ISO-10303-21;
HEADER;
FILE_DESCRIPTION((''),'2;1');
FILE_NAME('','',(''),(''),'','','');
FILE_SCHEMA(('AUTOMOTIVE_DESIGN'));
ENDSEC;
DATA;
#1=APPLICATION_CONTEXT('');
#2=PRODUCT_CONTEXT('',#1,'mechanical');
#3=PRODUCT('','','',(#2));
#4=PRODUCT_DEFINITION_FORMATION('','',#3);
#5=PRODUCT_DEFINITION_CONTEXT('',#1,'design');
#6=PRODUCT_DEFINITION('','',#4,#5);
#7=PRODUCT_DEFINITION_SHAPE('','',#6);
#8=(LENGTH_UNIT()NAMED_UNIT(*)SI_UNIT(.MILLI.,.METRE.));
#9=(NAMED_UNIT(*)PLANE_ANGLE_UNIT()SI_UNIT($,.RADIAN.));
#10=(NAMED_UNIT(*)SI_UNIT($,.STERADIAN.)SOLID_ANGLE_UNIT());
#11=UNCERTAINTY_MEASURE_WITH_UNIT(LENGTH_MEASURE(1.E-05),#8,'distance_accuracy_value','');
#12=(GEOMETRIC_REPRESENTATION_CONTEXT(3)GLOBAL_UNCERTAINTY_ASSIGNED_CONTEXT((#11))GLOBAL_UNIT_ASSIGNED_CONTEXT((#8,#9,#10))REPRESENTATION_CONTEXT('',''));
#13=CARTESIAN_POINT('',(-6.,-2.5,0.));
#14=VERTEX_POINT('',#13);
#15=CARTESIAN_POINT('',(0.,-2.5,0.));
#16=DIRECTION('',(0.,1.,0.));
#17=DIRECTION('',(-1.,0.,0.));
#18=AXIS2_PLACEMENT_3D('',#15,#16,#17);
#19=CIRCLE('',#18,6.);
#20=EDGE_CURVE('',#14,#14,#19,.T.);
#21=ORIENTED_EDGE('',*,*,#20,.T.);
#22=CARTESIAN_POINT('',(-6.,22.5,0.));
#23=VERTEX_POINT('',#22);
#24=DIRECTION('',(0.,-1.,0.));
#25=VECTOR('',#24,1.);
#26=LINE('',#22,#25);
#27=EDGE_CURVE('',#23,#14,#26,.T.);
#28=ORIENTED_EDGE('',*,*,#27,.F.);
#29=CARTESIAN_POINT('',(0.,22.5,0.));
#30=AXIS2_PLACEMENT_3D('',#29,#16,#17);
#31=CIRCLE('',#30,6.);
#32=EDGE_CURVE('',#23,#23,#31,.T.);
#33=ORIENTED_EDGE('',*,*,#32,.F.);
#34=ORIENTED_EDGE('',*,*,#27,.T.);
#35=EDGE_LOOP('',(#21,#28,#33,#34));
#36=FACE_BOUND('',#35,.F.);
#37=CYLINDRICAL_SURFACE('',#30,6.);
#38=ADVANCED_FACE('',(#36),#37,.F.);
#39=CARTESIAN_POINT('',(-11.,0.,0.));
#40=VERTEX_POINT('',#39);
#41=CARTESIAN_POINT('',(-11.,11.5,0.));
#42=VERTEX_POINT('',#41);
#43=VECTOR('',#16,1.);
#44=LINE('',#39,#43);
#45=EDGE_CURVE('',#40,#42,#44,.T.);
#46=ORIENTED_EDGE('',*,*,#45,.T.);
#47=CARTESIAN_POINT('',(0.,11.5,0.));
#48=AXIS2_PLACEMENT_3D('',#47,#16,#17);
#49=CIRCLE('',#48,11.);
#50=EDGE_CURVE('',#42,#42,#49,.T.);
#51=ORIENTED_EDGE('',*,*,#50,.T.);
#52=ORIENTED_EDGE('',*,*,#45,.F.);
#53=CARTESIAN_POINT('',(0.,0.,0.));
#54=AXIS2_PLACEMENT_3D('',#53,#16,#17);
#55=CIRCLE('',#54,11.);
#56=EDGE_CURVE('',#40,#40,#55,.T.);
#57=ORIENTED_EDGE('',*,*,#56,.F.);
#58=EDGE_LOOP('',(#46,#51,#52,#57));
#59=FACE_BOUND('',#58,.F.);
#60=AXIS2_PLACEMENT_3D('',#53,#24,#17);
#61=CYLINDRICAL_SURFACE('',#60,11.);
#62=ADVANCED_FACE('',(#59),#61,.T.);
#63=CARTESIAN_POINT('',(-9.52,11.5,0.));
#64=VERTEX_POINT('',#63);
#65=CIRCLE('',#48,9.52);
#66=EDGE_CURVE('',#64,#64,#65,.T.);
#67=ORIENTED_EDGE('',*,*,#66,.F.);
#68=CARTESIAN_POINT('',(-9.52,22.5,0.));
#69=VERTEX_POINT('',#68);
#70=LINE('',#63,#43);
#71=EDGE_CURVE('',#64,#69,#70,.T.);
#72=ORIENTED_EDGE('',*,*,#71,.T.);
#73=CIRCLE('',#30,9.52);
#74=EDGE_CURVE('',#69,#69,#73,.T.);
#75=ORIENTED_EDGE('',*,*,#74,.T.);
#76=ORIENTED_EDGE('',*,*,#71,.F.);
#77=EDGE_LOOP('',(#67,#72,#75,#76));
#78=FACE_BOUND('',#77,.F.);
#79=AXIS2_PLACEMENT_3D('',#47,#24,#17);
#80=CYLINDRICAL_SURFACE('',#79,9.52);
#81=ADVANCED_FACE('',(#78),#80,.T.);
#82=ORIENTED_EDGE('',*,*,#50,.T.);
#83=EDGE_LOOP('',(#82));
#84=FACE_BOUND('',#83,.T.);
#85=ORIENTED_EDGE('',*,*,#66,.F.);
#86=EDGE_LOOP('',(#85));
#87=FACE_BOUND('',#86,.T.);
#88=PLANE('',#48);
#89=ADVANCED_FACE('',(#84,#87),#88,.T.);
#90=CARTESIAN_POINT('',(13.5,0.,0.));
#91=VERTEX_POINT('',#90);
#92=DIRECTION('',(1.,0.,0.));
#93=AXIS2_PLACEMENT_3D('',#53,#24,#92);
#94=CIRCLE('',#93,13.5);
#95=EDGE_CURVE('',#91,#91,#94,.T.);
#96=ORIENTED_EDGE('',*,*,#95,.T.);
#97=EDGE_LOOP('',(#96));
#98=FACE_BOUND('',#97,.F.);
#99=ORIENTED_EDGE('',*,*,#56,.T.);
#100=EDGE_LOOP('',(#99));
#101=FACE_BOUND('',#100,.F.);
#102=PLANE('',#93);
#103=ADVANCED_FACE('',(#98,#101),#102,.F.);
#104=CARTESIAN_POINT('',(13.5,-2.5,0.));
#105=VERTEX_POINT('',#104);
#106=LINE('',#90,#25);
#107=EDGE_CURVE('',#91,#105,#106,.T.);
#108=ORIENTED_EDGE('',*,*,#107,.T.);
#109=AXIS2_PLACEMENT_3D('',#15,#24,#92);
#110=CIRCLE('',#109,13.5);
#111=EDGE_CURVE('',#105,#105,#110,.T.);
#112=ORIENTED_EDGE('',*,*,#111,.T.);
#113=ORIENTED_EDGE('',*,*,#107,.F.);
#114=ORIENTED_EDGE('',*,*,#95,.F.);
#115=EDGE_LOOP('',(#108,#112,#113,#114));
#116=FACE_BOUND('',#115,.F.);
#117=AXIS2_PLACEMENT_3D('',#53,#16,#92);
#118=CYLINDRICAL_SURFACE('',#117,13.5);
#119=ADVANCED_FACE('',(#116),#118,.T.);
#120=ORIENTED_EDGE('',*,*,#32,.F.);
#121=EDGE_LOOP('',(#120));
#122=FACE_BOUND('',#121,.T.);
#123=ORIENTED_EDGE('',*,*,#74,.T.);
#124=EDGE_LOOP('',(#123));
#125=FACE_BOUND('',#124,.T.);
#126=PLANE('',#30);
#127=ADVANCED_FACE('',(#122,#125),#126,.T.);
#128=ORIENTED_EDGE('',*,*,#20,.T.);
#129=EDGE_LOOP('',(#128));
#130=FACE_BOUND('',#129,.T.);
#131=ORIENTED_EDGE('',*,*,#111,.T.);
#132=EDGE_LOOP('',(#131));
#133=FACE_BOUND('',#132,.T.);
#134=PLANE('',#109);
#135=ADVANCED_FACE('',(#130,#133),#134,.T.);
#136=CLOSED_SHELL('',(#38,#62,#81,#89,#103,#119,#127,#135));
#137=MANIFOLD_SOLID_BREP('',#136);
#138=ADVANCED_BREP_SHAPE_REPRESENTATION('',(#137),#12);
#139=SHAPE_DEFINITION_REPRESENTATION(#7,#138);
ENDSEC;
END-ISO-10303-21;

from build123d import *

# Parameters (mm, degrees)
F0_R     = 13.5
F0_R_2   = 11.985483
F1_DEPTH = 2.5
F2_R     = 11
F3_DEPTH = 11.5
F4_R     = 9.52
F5_DEPTH = 11
F6_R     = 6
F7_DEPTH = 25


with BuildPart() as f1:
    # F0 (on Front) → F1 (new body)
    with BuildSketch(Plane.XZ):
        Circle(F0_R)
        Circle(F0_R_2, mode=Mode.SUBTRACT)
        Circle(F0_R_2)
    extrude(amount=F1_DEPTH)

    # F2 (on face) → F3 (join)
    with BuildSketch(Plane(origin=(0, 0, 0), x_dir=(-1, 0, 0), z_dir=(0, 1, 0))):
        Circle(F2_R)
    extrude(amount=F3_DEPTH)

    # F4 (on face) → F5 (join)
    with BuildSketch(Plane(origin=(0, 11.5, 0), x_dir=(-1, 0, 0), z_dir=(0, 1, 0))):
        Circle(F4_R)
    extrude(amount=F5_DEPTH)

    # F6 (on face) → F7 (cut)
    with BuildSketch(Plane(origin=(0, 22.5, 0), x_dir=(-1, 0, 0), z_dir=(0, 1, 0))):
        Circle(F6_R)
    extrude(amount=-F7_DEPTH, mode=Mode.SUBTRACT)


solid = f1.part
